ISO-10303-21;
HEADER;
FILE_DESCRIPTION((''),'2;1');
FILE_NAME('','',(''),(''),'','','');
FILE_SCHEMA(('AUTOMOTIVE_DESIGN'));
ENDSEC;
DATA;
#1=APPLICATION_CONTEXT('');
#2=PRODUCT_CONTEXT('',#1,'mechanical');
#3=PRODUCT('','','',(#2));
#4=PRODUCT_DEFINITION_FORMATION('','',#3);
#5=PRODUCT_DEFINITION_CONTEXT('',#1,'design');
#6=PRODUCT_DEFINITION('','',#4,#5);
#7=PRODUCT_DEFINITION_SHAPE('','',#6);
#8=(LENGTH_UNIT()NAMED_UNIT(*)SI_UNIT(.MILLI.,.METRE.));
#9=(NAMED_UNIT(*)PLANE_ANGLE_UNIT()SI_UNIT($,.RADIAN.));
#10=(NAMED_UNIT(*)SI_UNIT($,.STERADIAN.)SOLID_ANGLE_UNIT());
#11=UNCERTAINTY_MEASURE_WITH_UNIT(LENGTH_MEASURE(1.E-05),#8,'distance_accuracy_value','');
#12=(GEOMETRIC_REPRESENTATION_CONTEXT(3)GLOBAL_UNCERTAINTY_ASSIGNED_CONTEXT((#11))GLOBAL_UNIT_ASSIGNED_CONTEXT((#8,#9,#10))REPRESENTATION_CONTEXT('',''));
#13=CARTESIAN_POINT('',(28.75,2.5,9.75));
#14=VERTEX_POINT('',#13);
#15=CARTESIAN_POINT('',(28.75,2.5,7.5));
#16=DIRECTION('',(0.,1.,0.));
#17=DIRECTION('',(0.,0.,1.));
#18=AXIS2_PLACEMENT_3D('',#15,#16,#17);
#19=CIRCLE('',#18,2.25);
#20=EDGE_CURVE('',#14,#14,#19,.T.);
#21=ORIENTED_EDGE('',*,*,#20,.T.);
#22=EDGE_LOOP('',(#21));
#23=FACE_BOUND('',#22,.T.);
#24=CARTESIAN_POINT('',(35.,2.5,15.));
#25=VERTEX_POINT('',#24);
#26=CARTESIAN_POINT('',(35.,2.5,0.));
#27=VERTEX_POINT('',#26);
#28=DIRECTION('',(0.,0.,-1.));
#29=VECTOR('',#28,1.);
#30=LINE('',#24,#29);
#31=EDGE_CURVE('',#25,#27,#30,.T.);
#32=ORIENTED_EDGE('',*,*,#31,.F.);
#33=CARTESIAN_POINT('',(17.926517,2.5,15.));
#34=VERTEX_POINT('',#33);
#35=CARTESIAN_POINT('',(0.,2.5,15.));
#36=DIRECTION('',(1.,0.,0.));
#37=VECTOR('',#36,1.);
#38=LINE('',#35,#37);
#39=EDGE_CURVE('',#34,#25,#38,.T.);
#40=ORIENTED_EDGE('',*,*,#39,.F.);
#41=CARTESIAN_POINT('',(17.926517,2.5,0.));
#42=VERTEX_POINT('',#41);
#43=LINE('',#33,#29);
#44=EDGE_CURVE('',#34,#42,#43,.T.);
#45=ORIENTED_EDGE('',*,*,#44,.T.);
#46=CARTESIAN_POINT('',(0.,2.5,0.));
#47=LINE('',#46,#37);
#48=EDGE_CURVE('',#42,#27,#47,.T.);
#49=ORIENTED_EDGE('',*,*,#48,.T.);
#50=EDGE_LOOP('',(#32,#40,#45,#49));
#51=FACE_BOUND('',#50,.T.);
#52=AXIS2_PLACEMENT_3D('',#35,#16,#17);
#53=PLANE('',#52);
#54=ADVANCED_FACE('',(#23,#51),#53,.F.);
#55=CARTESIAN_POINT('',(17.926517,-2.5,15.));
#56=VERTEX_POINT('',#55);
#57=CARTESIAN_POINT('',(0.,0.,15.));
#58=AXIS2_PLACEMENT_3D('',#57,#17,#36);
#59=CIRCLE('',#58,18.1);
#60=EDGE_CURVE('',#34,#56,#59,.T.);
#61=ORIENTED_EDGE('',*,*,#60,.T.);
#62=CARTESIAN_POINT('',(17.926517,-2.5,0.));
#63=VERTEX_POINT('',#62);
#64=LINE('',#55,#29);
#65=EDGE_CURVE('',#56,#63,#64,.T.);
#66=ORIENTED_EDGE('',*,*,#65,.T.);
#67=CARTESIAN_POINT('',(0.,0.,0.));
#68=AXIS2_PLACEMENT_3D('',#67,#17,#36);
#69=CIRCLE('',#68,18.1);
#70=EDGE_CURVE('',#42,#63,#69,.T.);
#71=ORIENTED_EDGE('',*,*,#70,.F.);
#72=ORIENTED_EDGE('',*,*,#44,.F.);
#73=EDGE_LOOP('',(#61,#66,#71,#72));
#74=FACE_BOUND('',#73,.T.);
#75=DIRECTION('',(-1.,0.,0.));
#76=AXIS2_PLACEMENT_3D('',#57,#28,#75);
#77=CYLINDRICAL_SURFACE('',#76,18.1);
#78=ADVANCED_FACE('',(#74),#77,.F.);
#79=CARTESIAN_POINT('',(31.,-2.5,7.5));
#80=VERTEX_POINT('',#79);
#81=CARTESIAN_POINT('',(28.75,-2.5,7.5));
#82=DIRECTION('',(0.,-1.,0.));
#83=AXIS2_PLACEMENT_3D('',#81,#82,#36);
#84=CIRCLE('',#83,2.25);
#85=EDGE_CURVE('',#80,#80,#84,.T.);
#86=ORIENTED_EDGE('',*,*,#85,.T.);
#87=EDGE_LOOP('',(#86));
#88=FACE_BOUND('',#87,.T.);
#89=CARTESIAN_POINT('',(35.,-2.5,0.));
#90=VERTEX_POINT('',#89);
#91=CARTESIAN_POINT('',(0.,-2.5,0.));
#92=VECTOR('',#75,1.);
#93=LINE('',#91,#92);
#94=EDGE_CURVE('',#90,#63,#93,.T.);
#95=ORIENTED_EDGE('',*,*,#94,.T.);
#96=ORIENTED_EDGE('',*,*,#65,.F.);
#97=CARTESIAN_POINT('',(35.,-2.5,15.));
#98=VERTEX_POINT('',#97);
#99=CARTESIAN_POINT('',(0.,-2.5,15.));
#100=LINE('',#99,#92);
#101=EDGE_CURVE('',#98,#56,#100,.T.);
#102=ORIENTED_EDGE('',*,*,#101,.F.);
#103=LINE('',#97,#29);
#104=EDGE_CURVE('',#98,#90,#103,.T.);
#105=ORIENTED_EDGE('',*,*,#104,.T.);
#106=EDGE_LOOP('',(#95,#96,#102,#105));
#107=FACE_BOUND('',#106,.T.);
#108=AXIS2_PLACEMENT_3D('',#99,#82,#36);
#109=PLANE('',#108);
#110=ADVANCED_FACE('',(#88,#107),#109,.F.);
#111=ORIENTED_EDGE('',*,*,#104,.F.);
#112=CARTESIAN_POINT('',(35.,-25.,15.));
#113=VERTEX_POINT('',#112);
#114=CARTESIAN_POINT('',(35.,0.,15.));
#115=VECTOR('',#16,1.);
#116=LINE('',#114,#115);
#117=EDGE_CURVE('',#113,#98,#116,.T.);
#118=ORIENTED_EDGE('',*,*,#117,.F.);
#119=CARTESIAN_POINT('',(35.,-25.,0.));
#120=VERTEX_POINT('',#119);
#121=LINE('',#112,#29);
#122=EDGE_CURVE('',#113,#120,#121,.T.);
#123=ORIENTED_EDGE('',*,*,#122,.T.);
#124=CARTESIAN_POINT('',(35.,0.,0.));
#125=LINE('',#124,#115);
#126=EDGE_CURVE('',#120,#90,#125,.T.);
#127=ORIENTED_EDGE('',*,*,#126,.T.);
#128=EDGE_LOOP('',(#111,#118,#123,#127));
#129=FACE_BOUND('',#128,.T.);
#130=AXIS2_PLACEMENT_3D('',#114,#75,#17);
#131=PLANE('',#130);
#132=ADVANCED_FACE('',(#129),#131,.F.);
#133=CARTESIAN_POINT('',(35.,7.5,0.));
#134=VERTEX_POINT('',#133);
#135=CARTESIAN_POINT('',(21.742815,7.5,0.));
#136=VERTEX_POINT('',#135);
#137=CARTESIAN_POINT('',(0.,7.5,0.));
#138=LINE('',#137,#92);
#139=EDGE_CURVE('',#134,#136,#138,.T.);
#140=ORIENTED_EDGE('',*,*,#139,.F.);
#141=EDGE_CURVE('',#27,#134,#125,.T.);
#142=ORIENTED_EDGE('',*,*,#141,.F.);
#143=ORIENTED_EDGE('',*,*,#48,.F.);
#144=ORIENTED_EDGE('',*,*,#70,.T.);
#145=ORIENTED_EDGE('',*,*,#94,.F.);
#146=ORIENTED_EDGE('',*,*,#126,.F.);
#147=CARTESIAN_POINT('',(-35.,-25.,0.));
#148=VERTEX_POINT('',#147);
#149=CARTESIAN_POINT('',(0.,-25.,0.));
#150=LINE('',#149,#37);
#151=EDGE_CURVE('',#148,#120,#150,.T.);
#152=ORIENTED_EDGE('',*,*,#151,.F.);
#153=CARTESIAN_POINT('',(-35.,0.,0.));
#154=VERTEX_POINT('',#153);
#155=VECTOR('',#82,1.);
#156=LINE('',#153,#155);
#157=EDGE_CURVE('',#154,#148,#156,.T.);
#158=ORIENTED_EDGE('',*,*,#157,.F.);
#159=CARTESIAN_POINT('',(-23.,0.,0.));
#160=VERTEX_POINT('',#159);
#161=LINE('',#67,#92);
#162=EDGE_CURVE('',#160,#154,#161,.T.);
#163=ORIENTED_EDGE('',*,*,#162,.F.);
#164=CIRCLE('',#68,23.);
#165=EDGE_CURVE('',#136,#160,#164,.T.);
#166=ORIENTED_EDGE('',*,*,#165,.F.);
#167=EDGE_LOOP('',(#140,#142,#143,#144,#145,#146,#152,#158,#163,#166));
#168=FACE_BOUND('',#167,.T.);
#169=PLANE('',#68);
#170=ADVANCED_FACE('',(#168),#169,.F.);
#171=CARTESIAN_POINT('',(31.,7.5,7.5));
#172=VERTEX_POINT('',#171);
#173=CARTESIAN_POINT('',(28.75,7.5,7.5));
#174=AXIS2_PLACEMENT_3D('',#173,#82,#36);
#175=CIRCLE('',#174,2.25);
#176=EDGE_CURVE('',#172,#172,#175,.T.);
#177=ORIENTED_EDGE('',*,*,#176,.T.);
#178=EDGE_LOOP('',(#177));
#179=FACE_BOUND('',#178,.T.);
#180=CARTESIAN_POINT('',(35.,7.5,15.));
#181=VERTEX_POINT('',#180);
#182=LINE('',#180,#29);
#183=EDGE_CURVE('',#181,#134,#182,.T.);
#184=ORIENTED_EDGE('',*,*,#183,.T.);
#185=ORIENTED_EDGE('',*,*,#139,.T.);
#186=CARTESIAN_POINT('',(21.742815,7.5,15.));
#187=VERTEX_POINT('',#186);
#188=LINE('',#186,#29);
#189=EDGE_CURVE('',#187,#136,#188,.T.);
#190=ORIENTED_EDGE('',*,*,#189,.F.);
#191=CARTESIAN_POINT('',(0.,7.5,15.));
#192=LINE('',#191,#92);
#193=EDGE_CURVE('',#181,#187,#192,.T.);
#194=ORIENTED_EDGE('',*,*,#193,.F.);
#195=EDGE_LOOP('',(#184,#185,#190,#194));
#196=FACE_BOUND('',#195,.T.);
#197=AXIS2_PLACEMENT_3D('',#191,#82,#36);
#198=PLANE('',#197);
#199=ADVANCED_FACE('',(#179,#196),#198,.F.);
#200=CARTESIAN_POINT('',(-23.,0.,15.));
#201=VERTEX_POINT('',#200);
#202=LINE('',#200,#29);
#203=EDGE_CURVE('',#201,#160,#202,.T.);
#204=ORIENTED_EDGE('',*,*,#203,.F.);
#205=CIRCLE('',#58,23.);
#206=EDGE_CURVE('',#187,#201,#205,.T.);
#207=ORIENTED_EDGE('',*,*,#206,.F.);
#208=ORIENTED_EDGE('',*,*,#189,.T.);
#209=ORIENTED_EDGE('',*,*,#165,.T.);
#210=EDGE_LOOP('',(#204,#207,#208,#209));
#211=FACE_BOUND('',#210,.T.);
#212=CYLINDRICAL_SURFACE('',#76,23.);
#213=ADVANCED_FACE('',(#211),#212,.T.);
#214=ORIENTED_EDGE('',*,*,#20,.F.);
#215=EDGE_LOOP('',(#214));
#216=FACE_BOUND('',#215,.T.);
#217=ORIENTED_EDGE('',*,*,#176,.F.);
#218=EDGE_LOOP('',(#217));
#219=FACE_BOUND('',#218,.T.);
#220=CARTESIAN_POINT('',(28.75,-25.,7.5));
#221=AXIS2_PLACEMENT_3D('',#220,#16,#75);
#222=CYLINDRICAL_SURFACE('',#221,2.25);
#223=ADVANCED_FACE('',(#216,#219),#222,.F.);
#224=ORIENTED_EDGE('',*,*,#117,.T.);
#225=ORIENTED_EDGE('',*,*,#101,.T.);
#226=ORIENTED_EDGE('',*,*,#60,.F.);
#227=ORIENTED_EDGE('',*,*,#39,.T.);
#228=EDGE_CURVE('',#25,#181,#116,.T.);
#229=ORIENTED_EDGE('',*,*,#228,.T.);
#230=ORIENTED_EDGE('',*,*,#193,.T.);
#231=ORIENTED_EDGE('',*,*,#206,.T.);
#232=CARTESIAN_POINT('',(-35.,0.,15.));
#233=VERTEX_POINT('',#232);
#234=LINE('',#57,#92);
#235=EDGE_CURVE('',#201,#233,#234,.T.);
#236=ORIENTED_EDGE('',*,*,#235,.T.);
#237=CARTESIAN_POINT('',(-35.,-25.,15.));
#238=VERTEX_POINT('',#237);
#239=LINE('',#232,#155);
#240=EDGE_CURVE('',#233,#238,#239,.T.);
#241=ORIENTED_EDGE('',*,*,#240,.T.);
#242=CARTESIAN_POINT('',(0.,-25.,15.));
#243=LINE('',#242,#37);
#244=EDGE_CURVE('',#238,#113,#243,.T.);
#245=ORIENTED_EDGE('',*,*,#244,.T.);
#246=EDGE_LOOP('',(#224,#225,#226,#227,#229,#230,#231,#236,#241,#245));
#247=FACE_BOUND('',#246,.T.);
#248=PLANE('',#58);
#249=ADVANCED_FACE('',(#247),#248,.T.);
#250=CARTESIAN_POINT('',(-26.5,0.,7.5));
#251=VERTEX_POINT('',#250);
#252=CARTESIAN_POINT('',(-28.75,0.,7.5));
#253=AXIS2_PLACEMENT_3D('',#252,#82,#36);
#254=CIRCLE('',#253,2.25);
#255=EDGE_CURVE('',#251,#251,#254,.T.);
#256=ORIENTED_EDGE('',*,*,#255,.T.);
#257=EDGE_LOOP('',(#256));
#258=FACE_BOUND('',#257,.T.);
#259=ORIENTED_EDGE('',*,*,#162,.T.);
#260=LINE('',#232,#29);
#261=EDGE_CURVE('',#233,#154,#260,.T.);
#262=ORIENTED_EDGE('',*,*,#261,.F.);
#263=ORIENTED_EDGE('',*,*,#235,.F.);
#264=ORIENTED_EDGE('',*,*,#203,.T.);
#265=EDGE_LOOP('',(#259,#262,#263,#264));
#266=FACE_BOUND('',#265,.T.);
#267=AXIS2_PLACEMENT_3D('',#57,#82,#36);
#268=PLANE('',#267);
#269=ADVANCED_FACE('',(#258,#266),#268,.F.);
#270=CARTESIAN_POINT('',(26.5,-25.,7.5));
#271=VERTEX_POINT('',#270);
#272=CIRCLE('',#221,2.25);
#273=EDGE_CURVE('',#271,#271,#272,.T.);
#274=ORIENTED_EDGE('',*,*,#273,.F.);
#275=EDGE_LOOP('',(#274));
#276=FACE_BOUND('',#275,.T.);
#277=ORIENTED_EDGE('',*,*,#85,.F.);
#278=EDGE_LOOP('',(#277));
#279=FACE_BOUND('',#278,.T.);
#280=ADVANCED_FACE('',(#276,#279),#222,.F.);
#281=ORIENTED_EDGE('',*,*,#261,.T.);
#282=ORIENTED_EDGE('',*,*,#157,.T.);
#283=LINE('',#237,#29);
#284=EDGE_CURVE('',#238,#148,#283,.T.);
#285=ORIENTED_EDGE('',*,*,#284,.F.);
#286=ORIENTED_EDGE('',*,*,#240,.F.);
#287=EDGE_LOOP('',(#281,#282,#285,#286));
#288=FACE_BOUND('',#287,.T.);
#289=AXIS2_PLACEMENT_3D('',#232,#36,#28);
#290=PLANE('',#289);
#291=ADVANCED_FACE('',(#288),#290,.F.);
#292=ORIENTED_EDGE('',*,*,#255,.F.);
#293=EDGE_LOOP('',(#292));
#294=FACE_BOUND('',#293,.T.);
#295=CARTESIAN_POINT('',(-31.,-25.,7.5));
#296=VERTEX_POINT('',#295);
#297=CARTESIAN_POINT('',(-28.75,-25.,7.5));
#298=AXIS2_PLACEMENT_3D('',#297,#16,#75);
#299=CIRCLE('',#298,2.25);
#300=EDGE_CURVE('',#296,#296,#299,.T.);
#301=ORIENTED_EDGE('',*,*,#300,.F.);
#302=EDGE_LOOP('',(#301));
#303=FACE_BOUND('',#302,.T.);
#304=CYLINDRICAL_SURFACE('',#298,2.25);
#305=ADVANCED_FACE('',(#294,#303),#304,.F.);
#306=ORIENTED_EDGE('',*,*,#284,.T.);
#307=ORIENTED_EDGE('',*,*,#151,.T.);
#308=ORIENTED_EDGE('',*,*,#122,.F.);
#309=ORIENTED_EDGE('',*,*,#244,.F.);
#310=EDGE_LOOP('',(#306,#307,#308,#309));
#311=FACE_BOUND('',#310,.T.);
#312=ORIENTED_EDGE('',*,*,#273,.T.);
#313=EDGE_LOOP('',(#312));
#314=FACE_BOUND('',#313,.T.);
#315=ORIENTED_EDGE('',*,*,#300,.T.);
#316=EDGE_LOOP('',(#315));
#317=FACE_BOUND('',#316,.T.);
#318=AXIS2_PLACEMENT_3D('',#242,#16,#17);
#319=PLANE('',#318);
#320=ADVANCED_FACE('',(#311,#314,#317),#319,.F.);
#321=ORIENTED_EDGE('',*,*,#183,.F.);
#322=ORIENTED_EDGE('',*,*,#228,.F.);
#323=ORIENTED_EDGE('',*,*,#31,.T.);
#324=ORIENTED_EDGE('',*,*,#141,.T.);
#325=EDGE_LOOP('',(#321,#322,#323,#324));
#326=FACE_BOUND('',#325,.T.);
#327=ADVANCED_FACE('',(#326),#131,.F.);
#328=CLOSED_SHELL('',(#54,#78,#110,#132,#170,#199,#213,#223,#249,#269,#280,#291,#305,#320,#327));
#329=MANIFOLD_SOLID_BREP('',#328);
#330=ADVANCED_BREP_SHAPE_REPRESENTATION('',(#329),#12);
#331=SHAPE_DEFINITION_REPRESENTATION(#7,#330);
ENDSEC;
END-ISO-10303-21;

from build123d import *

# Parameters (mm, degrees)
BOSS_EXTRUDE2_DEPTH     = 15
CUT_EXTRUDE3_DEPTH      = 46.552167896
CUT_EXTRUDE3_DEPTH_BACK = 46.552167896
SKETCH4_R               = 2.25


with BuildPart() as part:
    # Sketch1 → Boss-Extrude2 (new body)
    with BuildSketch(Plane.XY):
        with BuildLine():
            ThreePointArc((17.926516672, -2.5), (-1.253006032, -18.056577081), (-18.1, 0))
            Line((-18.1, 0), (-23, 0))
            Line((-23, 0), (-35, 0))
            Line((-35, 0), (-35, -22.5))
            Line((-35, -22.5), (-35, -25))
            Line((-35, -25), (35, -25))
            Line((35, -25), (35, -22.5))
            Line((35, -22.5), (35, -7.5))
            Line((35, -7.5), (35, -2.5))
            Line((35, -2.5), (17.926516672, -2.5))
        make_face()
        with BuildLine():
            Line((17.926516672, 2.5), (35, 2.5))
            Line((35, 2.5), (35, 7.5))
            Line((35, 7.5), (21.742814905, 7.5))
            ThreePointArc((21.742814905, 7.5), (-3.802318844, 22.683526432), (-23, 0))
            Line((-23, 0), (-18.1, 0))
            ThreePointArc((-18.1, 0), (-1.253006032, 18.056577081), (17.926516672, 2.5))
        make_face()
    extrude(amount=BOSS_EXTRUDE2_DEPTH)

    # Sketch4 → Cut-Extrude3 (cut, two sides: drawn at the far end of the back side and taken through both)
    with BuildSketch(Plane(origin=(0, 0, 0), x_dir=(1, 0, 0), z_dir=(0, 1, 0)).offset(-CUT_EXTRUDE3_DEPTH_BACK)):
        with Locations(Location((-28.75, -7.5, 0), (0, 0, 180))):
            Circle(SKETCH4_R)
        with Locations(Location((28.75, -7.5, 0), (0, 0, 180))):
            Circle(SKETCH4_R)
    extrude(amount=CUT_EXTRUDE3_DEPTH + CUT_EXTRUDE3_DEPTH_BACK, mode=Mode.SUBTRACT)


solid = part.part
